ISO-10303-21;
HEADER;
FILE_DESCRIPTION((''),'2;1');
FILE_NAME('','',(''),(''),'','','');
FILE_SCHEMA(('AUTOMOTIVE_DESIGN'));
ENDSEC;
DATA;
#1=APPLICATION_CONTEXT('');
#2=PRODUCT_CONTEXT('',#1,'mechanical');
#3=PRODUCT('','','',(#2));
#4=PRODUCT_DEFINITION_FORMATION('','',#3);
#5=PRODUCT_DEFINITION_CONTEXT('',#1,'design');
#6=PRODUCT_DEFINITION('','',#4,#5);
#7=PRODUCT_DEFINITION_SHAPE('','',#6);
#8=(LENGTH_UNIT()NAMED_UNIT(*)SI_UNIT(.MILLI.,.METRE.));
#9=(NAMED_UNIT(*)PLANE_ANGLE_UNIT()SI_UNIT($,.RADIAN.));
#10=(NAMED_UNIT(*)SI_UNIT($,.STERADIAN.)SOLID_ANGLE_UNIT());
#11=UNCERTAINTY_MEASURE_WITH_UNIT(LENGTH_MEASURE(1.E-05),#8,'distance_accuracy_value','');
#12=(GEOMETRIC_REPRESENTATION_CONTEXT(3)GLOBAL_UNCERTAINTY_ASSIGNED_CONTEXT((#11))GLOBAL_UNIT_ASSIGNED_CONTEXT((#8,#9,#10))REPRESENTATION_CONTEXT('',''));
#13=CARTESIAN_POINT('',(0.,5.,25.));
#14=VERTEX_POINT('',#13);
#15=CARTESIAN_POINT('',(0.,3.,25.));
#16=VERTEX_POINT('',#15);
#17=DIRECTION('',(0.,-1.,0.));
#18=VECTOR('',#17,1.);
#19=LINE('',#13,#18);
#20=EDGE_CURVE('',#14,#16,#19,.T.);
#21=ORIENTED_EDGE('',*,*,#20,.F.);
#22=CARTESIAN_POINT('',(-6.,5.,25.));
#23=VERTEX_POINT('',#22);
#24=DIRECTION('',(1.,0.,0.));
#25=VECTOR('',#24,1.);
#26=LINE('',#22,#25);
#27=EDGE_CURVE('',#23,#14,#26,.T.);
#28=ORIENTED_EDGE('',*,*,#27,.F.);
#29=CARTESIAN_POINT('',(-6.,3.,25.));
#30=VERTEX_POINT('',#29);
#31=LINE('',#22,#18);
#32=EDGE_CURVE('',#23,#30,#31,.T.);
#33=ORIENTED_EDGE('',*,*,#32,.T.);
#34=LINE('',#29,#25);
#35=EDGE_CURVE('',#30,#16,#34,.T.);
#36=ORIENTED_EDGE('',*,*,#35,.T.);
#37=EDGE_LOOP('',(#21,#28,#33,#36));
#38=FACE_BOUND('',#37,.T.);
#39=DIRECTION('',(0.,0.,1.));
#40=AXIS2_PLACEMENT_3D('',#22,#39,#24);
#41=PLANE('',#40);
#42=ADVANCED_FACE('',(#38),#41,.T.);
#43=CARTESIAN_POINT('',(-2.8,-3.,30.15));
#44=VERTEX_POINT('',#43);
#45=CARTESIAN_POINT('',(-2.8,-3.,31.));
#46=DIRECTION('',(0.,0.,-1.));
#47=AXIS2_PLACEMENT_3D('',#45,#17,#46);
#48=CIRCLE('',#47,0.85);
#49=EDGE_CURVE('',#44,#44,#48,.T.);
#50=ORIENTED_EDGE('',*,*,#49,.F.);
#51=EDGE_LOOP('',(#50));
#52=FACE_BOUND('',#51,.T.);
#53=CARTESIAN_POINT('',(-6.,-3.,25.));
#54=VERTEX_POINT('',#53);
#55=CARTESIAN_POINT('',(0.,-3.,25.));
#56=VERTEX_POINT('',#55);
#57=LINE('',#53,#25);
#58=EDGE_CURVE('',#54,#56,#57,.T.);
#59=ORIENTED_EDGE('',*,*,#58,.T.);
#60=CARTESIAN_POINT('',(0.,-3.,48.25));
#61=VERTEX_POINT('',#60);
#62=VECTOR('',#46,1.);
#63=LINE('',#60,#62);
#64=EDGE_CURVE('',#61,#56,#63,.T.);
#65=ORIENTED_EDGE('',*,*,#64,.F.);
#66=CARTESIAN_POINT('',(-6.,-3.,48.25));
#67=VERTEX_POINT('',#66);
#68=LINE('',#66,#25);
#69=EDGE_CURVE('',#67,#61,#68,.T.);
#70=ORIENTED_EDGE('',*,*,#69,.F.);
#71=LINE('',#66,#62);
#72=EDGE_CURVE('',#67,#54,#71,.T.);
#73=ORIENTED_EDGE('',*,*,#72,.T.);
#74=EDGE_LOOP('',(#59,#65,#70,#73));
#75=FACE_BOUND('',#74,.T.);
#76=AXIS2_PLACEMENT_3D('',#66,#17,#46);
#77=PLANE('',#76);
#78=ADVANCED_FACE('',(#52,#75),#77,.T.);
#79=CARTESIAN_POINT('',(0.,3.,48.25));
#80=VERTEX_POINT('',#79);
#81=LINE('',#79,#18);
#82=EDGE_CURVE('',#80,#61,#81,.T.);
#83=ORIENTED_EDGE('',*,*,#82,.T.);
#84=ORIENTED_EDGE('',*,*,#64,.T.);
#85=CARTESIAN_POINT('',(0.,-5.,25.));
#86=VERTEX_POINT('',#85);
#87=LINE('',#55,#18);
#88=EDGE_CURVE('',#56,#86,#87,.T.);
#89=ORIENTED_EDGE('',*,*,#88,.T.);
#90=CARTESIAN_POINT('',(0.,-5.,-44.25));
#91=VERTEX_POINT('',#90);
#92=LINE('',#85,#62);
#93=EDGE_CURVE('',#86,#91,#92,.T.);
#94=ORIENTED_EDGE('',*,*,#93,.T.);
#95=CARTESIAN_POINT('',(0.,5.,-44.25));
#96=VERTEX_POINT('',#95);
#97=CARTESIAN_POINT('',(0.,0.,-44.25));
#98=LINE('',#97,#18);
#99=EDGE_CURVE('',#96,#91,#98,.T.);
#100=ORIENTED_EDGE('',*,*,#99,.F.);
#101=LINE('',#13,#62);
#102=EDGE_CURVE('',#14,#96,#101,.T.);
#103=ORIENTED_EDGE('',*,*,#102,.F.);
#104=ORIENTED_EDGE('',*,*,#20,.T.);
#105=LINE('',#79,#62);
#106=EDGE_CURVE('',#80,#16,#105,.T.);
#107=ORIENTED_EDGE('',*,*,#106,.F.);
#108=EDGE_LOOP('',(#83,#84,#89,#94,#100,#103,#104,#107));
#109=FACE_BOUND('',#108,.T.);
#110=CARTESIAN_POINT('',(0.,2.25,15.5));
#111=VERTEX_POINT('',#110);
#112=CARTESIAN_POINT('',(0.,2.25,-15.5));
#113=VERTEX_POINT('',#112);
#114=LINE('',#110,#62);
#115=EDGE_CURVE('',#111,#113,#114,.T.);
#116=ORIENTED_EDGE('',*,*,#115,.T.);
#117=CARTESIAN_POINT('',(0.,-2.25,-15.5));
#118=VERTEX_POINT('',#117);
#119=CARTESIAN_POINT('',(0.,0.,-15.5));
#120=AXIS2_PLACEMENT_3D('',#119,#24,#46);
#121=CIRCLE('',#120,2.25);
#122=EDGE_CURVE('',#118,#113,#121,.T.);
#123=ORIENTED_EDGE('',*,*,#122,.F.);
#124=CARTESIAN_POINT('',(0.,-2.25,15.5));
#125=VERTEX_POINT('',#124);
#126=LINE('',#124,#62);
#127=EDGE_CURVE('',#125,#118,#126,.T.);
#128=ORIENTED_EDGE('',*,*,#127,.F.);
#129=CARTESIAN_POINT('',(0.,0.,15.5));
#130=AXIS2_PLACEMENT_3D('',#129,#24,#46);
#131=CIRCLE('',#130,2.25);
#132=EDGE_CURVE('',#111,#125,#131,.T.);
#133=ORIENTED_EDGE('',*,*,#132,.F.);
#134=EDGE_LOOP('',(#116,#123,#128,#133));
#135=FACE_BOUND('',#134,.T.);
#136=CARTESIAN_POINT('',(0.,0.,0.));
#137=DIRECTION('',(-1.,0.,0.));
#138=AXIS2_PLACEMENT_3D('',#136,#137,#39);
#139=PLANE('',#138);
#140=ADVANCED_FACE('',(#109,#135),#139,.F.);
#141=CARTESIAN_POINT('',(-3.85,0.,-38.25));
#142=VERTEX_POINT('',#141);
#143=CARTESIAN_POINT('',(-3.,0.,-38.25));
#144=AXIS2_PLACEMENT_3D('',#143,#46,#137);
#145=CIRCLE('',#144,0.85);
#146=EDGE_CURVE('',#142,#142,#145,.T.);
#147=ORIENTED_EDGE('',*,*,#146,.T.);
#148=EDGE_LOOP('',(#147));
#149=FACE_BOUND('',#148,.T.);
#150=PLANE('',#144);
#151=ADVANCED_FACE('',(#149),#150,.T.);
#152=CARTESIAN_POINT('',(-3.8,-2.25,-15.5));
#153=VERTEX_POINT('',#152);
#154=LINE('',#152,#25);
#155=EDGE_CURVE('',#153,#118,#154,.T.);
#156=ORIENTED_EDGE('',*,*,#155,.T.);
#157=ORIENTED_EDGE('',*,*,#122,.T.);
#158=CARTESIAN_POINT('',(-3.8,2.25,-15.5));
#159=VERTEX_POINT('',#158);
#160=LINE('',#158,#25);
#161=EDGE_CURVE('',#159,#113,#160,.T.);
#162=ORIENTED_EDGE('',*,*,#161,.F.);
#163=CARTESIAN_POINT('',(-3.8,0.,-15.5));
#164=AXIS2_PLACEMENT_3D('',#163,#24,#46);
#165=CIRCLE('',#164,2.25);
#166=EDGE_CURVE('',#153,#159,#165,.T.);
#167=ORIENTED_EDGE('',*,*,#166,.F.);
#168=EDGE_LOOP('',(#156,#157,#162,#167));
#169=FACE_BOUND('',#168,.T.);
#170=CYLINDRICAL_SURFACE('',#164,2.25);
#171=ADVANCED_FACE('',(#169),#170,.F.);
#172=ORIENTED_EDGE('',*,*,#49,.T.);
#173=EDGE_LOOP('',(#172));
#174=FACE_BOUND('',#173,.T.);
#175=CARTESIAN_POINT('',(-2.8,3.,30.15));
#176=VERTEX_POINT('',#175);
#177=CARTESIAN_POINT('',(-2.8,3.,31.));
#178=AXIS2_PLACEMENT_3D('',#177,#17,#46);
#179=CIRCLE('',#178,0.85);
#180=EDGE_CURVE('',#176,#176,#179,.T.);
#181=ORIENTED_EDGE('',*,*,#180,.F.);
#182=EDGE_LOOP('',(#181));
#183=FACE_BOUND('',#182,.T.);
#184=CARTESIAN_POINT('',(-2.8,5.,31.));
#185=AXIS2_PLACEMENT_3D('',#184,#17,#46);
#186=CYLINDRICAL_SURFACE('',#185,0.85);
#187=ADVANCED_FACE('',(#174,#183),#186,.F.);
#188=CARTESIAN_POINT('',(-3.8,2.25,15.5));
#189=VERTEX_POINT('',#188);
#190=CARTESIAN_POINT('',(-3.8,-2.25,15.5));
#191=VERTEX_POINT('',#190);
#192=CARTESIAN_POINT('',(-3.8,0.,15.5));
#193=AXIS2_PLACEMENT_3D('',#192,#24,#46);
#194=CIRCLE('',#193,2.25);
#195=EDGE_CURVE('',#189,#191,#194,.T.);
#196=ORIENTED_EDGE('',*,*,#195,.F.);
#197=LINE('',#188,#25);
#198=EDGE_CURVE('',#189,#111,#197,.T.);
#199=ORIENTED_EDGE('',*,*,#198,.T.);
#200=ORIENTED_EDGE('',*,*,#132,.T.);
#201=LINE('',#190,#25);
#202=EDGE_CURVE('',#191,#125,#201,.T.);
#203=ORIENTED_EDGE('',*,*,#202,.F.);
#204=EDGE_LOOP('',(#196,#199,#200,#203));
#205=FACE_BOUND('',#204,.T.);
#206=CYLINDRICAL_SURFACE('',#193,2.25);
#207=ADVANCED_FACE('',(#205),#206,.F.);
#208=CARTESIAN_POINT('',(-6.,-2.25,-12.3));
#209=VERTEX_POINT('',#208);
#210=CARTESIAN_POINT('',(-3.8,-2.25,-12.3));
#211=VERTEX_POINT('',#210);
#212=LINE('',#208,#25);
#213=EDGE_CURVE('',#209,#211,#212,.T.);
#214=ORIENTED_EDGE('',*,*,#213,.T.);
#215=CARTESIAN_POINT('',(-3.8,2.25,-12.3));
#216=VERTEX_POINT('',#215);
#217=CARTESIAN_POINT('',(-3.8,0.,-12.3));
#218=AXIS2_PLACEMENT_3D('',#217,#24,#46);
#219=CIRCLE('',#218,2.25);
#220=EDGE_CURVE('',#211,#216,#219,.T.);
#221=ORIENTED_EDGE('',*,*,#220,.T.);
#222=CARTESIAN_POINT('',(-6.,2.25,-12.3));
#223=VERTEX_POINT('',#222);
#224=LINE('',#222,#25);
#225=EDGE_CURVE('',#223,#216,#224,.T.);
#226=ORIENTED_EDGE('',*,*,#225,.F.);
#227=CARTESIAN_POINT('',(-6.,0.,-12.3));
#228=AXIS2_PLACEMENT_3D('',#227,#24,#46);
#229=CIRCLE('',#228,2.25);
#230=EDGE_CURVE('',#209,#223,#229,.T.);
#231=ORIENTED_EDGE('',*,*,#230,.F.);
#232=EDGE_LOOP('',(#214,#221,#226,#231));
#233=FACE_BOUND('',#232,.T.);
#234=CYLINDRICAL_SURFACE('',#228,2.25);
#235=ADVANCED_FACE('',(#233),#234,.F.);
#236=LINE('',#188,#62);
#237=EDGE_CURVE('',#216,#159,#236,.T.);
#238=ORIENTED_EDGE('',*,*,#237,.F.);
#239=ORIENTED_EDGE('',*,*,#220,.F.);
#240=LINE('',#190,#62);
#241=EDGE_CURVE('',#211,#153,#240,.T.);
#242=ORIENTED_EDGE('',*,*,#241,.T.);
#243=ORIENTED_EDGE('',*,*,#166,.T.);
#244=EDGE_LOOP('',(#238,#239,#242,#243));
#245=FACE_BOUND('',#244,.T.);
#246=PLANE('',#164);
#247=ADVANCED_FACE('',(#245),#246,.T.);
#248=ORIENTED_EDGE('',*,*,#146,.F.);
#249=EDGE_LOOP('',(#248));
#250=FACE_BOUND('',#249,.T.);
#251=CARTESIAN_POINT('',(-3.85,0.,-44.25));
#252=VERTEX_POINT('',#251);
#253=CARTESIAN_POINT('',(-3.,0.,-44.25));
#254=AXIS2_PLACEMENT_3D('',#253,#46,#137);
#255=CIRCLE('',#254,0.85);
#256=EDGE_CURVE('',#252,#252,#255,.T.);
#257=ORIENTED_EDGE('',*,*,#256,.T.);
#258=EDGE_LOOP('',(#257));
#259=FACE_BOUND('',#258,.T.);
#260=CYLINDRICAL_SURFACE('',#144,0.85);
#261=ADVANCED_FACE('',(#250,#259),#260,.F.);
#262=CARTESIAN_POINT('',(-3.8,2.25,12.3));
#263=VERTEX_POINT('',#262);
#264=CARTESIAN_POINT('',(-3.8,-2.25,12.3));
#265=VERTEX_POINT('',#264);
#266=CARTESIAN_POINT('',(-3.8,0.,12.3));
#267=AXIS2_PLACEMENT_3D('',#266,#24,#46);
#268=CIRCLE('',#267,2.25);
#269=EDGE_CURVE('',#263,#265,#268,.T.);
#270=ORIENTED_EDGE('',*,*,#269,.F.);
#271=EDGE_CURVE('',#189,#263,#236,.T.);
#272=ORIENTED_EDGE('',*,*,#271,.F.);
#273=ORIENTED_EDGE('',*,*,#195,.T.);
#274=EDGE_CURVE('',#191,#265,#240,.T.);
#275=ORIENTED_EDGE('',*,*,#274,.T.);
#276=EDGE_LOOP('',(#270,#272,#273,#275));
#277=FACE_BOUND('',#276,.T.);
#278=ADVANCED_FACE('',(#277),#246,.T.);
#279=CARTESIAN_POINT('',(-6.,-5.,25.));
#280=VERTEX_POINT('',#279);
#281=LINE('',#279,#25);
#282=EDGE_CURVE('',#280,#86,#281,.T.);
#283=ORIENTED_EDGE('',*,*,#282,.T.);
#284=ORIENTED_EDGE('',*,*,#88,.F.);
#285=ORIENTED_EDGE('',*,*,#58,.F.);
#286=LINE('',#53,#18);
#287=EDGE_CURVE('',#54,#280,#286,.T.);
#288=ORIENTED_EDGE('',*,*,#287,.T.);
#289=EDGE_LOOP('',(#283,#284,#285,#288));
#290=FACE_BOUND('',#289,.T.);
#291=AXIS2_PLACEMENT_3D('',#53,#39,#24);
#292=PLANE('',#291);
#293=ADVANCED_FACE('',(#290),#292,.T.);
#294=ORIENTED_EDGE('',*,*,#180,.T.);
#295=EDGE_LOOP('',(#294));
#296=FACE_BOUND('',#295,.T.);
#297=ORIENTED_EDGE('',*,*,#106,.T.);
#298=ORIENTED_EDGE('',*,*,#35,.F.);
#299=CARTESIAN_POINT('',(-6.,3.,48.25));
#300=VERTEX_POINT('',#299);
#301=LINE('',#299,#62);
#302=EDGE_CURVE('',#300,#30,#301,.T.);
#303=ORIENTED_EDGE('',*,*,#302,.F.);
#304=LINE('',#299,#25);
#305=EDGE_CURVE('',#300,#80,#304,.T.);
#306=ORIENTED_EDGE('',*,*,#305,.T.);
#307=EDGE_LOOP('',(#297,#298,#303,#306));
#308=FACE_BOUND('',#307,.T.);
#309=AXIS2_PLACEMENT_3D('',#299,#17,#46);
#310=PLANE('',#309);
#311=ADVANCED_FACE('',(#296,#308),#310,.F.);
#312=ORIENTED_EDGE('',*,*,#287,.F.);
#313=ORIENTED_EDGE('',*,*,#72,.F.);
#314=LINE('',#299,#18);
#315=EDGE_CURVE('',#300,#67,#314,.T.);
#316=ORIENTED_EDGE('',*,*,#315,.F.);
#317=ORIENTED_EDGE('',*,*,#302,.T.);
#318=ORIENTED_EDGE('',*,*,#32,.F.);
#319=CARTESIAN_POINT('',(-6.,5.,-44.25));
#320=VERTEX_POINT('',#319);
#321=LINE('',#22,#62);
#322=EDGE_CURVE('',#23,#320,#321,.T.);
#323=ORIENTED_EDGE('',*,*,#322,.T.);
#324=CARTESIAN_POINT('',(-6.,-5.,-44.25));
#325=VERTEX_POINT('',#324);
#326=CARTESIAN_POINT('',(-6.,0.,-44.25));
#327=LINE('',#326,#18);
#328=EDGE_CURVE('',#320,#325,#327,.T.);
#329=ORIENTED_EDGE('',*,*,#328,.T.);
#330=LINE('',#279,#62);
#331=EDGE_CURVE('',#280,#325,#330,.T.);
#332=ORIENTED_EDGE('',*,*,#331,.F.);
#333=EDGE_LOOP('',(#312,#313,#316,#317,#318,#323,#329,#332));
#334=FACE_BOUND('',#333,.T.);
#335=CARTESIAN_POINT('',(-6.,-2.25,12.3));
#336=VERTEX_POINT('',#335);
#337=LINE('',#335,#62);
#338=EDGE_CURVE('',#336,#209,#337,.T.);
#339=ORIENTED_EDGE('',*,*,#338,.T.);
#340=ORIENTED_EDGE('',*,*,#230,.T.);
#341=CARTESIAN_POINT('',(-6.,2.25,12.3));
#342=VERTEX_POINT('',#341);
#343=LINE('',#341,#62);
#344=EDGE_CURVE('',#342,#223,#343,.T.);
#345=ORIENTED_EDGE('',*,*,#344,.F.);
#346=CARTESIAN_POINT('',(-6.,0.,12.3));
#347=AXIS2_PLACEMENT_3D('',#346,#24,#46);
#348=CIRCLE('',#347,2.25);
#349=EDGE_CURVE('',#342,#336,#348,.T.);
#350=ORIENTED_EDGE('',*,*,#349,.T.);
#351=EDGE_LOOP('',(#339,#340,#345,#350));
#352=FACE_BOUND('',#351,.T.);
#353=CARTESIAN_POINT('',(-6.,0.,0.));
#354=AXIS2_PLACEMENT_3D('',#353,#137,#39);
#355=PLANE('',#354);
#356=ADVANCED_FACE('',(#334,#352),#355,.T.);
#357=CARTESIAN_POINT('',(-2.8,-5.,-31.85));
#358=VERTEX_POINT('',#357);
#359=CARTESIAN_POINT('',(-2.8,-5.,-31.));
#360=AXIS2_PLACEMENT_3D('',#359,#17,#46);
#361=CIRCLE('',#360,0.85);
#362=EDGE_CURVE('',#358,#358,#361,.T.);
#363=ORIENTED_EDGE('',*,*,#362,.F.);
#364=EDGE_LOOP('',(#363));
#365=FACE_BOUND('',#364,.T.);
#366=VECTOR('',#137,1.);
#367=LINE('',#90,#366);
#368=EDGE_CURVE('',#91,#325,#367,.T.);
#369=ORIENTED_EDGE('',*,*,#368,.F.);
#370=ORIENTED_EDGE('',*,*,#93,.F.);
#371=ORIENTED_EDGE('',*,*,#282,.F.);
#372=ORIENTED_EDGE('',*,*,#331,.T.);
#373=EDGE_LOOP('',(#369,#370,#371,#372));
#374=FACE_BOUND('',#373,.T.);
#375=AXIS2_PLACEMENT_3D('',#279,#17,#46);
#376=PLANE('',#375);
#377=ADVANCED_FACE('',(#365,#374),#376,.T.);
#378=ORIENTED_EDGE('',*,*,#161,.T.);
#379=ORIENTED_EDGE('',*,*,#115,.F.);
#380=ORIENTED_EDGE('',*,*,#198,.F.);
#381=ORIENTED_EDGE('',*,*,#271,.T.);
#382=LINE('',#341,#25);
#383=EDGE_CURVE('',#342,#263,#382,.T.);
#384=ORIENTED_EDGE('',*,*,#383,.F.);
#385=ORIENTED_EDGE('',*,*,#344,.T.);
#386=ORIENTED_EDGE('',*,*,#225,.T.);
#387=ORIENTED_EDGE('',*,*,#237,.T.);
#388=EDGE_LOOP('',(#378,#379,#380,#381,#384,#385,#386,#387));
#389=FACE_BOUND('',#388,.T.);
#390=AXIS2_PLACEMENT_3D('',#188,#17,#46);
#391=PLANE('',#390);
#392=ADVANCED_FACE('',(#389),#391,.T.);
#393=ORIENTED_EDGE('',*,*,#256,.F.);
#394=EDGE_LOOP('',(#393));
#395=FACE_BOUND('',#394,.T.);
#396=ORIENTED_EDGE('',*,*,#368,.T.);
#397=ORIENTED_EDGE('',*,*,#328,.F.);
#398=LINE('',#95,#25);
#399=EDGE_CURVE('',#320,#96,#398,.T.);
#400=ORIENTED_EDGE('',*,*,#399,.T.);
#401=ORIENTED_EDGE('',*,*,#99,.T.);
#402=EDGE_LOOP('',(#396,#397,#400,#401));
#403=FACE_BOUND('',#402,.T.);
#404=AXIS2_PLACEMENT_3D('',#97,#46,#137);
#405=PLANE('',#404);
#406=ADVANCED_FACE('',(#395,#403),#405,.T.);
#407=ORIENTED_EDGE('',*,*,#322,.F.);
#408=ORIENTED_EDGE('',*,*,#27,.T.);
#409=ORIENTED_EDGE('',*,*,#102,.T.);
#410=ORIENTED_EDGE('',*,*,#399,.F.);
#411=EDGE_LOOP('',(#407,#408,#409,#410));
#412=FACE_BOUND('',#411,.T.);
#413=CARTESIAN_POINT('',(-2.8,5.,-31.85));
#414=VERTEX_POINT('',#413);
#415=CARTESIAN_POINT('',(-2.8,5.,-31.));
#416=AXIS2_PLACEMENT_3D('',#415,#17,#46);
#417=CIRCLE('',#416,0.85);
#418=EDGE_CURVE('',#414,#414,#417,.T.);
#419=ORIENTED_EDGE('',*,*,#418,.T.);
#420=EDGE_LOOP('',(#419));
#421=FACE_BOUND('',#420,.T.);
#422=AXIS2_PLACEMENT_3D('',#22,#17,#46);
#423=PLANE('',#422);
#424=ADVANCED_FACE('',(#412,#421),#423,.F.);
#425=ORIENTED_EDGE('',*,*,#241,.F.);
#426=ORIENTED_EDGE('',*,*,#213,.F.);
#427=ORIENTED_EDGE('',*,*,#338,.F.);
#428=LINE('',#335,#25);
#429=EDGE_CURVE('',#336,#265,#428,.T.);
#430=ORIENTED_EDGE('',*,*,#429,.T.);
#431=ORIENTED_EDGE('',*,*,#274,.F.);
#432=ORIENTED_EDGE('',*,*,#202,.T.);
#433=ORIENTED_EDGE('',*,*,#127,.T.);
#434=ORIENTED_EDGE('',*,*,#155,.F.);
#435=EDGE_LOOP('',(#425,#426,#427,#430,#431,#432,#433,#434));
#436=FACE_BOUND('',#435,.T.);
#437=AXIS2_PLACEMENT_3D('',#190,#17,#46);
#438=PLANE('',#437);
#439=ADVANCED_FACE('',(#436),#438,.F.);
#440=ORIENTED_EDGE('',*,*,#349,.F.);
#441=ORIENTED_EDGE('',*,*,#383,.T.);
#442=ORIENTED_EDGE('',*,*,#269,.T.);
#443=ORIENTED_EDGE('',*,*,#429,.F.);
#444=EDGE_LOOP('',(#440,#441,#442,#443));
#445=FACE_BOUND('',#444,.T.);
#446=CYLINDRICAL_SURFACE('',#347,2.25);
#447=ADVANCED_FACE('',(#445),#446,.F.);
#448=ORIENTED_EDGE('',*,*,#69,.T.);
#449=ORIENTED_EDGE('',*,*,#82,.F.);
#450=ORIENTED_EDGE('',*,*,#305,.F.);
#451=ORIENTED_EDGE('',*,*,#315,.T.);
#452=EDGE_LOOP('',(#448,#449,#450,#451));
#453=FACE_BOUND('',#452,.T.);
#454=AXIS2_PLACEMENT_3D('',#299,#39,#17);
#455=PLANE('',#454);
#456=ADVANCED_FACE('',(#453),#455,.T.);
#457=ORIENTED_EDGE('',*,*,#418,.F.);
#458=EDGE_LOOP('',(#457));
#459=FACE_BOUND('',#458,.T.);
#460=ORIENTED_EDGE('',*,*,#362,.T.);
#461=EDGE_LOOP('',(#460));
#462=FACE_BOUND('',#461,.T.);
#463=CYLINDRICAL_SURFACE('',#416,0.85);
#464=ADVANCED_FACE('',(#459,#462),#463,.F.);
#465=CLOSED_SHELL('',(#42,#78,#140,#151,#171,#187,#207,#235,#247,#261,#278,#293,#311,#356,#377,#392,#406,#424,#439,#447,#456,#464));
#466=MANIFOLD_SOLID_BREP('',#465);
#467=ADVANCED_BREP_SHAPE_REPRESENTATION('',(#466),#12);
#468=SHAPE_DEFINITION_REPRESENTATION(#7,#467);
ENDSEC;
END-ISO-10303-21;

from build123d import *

# Parameters (mm, degrees)
EXTRUDE_1_DEPTH     = 6
CUT_EXTRUDE_1_DEPTH = 3.8
CUT_EXTRUDE_2_DEPTH = 49.87803699
SKETCH_3_W          = 18.536502565
SKETCH_3_H          = 15.637579157
CUT_EXTRUDE_3_DEPTH = 4
SKETCH_4_W          = 6
SKETCH_4_H          = 10
EXTRUDE_2_DEPTH     = 19.25
SKETCH_5_R          = 0.85
CUT_EXTRUDE_4_DEPTH = 50.639324129
SKETCH_6_R          = 0.85
CUT_EXTRUDE_5_DEPTH = 6


with BuildPart() as part:
    # 草图1 → 凸台-拉伸1 (new body)
    with BuildSketch(Plane(origin=(0, 0, 0), x_dir=(0, 0, -1), z_dir=(1, 0, 0))):
        Polygon((-25, 5), (25, 5), (25, 3), (48.25, 3), (48.25, -3), (25, -3), (25, -5), (-25, -5), (-25, -3), (-48.25, -3), (-48.25, 3), (-25, 3), align=None)
    extrude(amount=-EXTRUDE_1_DEPTH)

    # 草图1<3> → 切除-拉伸1 (cut)
    with BuildSketch(Plane(origin=(0, 0, 0), x_dir=(0, 0, -1), z_dir=(1, 0, 0))):
        with BuildLine():
            Line((-15.5, 2.25), (15.5, 2.25))
            ThreePointArc((15.5, 2.25), (17.75, 0), (15.5, -2.25))
            Line((15.5, -2.25), (-15.5, -2.25))
            ThreePointArc((-15.5, -2.25), (-17.75, 0), (-15.5, 2.25))
        make_face()
    extrude(amount=-CUT_EXTRUDE_1_DEPTH, mode=Mode.SUBTRACT)

    # 草图1<4> → 切除-拉伸2 (cut, through all)
    with BuildSketch(Plane(origin=(0, 0, 0), x_dir=(0, 0, -1), z_dir=(1, 0, 0))):
        with BuildLine():
            Line((-12.3, 2.25), (12.3, 2.25))
            ThreePointArc((12.3, 2.25), (14.55, 0), (12.3, -2.25))
            Line((12.3, -2.25), (-12.3, -2.25))
            ThreePointArc((-12.3, -2.25), (-14.55, 0), (-12.3, 2.25))
        make_face()
    extrude(amount=-CUT_EXTRUDE_2_DEPTH, mode=Mode.SUBTRACT)

    # 草图3 → 切除-拉伸3 (cut)
    with BuildSketch(Plane(origin=(0, 0, -48.25), x_dir=(-1, 0, 0), z_dir=(0, 0, -1))):
        with Locations((1.626975839, 1.766046581)):
            Rectangle(SKETCH_3_W, SKETCH_3_H)
    extrude(amount=-CUT_EXTRUDE_3_DEPTH, mode=Mode.SUBTRACT)

    # 草图4 → 凸台-拉伸2 (add)
    with BuildSketch(Plane(origin=(0, 0, -25), x_dir=(-1, 0, 0), z_dir=(0, 0, -1))):
        with Locations((3, 0)):
            Rectangle(SKETCH_4_W, SKETCH_4_H)
    extrude(amount=EXTRUDE_2_DEPTH)

    # 草图5 → 切除-拉伸4 (cut, through all)
    with BuildSketch(Plane.XZ.offset(5)):
        with Locations(Location((-2.8, 31, 0), (0, 0, 270))):
            Circle(SKETCH_5_R)
        with Locations(Location((-2.8, -31, 0), (0, 0, 270))):
            Circle(SKETCH_5_R)
    extrude(amount=-CUT_EXTRUDE_4_DEPTH, mode=Mode.SUBTRACT)

    # 草图6 → 切除-拉伸5 (cut)
    with BuildSketch(Plane(origin=(0, 0, -44.25), x_dir=(-1, 0, 0), z_dir=(0, 0, -1))):
        with Locations((3, 0)):
            Circle(SKETCH_6_R)
    extrude(amount=-CUT_EXTRUDE_5_DEPTH, mode=Mode.SUBTRACT)


solid = part.part
